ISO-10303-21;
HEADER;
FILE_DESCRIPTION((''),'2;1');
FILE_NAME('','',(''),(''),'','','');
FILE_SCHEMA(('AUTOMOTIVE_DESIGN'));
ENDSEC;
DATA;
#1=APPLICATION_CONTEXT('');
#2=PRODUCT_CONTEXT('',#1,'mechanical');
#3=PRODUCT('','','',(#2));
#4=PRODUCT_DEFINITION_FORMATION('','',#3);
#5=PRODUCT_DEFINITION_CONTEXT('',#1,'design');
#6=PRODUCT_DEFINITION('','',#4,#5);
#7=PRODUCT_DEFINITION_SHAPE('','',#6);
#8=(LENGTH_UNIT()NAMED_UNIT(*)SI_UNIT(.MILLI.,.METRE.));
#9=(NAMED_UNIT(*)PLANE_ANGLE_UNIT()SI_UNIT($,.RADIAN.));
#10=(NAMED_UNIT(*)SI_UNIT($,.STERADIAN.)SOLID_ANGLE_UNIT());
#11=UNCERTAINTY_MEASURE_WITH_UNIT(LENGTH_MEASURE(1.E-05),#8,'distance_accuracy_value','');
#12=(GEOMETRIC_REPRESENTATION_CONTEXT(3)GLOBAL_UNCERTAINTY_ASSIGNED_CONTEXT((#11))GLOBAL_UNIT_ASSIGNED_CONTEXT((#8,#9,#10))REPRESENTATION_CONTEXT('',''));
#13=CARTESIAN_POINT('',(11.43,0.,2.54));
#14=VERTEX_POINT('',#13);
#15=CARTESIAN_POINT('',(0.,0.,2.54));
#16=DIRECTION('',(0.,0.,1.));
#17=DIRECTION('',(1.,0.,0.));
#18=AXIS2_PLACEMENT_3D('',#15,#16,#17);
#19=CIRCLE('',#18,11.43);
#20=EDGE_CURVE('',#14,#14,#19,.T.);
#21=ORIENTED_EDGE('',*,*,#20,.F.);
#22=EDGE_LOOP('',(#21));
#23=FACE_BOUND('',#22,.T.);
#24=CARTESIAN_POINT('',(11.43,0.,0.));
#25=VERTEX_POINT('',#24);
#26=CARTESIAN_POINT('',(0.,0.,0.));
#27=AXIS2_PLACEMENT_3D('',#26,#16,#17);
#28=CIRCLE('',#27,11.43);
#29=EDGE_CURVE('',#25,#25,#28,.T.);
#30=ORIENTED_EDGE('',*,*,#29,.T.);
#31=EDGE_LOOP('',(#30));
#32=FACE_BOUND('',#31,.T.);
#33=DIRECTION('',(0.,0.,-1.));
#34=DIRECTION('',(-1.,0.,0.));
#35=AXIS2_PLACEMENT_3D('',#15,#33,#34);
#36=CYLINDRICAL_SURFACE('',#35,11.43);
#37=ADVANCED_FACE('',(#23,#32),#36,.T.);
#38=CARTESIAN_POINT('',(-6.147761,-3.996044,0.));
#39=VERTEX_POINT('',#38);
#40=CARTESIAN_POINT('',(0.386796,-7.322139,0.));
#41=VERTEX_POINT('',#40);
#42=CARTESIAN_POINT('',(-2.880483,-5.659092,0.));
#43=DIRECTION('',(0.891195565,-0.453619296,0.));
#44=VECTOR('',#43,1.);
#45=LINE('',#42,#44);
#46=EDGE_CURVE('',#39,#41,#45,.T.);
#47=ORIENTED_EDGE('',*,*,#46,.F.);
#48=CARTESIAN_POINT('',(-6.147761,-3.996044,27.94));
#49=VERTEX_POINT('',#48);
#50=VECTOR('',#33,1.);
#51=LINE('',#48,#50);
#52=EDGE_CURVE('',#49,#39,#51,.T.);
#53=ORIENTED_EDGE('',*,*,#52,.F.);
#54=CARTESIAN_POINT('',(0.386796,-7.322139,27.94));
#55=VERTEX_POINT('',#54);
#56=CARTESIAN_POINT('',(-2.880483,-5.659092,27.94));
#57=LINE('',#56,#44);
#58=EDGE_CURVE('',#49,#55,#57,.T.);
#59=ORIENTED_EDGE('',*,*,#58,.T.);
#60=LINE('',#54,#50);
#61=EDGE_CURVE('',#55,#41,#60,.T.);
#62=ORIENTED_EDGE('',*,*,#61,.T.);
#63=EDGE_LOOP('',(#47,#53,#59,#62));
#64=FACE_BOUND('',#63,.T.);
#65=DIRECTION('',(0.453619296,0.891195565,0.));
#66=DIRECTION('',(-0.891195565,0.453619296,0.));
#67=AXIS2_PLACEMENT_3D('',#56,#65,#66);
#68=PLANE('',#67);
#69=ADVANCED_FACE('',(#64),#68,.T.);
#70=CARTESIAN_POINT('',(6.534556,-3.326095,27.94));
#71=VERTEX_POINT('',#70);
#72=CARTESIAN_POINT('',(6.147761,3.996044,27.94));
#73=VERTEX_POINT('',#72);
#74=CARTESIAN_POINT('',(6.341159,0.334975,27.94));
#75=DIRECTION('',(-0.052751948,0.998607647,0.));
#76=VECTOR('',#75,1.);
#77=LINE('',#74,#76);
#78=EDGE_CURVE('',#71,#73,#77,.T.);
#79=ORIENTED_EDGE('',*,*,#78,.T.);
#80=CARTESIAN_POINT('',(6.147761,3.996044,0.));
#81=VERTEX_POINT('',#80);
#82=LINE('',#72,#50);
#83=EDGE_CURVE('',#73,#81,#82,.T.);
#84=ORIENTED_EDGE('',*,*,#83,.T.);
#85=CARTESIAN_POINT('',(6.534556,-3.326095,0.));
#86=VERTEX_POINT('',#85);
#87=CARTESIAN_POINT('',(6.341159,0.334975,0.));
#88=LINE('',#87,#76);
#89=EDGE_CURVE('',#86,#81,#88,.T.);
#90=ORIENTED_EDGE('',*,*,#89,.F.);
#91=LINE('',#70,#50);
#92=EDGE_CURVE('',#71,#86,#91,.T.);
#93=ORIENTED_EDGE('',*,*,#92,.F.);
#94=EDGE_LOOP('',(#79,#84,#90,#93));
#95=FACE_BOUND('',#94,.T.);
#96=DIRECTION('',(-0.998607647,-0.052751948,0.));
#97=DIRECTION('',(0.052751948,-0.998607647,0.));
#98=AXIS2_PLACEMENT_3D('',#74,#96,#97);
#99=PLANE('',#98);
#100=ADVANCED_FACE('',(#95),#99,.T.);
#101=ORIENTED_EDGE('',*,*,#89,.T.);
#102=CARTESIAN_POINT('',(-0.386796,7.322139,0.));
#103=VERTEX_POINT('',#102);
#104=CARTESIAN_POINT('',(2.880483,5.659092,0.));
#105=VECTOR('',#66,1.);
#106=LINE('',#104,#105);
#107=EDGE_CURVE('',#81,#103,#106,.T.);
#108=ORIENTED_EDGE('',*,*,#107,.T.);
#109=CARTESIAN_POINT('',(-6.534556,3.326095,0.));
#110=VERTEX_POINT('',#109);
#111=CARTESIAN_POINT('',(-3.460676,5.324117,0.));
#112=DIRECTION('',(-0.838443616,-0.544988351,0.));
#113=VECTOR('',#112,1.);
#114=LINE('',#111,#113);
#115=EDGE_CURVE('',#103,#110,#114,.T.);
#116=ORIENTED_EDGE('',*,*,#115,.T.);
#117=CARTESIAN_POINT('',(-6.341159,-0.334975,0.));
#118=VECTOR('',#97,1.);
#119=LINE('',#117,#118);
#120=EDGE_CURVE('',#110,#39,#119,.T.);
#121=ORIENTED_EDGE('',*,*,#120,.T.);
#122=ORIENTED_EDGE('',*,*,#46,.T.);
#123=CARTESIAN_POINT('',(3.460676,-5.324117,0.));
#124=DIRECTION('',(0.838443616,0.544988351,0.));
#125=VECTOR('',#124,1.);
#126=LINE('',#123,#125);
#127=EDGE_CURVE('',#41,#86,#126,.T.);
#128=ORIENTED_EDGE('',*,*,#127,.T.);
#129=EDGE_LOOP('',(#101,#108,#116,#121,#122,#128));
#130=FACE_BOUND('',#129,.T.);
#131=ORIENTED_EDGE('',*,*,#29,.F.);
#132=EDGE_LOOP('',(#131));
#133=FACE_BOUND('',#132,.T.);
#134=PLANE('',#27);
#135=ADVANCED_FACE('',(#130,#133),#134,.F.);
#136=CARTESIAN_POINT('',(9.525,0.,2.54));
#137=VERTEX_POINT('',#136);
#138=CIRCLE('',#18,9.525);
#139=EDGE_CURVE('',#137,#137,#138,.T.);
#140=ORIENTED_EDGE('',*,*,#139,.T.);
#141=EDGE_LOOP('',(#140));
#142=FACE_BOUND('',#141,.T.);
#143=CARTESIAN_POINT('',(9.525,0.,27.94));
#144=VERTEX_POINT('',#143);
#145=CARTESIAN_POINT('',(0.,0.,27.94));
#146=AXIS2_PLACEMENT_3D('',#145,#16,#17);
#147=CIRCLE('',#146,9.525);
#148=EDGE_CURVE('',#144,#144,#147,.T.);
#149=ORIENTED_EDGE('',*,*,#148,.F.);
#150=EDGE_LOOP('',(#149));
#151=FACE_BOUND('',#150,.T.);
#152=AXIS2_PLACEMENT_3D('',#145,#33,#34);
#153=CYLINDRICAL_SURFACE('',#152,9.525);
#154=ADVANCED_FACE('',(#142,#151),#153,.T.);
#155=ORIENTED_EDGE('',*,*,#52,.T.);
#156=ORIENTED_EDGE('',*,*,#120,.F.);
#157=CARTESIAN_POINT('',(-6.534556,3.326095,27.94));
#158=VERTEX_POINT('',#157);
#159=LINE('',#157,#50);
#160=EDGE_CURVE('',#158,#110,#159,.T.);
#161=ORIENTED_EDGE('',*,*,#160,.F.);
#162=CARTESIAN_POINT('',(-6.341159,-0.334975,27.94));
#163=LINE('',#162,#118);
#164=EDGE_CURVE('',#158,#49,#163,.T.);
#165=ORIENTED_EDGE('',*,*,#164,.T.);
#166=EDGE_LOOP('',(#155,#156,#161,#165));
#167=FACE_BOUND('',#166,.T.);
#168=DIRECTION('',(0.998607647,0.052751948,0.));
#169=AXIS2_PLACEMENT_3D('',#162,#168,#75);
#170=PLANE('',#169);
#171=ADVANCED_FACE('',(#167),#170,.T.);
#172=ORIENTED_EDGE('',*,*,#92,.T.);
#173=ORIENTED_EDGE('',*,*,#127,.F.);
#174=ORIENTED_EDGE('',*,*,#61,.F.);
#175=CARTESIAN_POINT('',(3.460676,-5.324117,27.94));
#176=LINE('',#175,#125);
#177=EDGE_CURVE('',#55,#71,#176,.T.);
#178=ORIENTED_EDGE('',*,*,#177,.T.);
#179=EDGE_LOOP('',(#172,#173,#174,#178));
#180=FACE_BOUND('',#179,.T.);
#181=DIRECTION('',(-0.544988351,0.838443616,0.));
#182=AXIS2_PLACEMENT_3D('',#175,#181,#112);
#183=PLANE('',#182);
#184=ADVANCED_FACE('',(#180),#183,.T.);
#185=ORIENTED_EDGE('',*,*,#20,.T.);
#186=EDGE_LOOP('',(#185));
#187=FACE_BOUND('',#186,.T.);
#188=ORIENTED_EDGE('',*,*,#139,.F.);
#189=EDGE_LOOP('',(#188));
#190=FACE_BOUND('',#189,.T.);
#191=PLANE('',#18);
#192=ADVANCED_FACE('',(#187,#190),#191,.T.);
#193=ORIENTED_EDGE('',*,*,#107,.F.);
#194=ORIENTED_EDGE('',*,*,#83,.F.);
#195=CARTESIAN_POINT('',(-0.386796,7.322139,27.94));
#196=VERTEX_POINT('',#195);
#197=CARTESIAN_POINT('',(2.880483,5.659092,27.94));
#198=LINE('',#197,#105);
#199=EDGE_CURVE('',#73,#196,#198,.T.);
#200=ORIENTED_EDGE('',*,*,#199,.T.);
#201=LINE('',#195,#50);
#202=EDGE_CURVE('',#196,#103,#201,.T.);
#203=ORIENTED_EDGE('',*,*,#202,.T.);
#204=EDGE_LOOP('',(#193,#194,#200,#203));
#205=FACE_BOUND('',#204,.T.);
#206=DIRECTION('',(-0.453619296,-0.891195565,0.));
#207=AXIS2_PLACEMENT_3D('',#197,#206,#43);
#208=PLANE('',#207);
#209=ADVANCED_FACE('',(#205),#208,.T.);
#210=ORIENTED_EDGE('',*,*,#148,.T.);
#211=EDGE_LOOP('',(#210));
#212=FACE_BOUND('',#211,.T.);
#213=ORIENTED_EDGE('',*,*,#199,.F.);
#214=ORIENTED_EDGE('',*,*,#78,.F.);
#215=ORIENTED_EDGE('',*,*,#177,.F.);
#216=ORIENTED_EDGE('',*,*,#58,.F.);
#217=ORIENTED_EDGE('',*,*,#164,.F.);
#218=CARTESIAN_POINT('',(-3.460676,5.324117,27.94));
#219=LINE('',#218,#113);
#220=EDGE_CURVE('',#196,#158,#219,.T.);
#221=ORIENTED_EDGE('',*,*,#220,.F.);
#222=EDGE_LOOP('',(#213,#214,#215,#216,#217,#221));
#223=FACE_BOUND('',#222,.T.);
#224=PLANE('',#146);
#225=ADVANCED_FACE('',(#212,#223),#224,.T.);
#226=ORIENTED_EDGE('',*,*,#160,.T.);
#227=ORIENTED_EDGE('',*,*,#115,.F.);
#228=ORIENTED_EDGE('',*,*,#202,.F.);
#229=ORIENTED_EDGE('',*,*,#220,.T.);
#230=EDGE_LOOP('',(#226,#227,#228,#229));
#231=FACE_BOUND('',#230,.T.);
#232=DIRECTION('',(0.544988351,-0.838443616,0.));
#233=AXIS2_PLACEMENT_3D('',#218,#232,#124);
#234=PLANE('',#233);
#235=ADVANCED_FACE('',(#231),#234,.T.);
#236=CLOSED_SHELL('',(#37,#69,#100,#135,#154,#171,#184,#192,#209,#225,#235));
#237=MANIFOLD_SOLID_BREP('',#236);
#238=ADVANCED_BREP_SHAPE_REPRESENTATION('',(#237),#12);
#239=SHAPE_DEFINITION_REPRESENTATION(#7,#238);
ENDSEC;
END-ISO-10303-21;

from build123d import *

# Parameters (mm, degrees)
SKETCH1_R           = 9.525
BOSS_EXTRUDE1_DEPTH = 27.94
SKETCH1_5_R         = 11.43
SKETCH1_5_R_2       = 9.525
BOSS_EXTRUDE2_DEPTH = 2.54


with BuildPart() as part:
    # Sketch1 → Boss-Extrude1 (new body)
    with BuildSketch(Plane.XY):
        Circle(SKETCH1_R)
        Polygon((-0.386795664, 7.322139199), (6.147760724, 3.996044471), (6.534556388, -3.326094728), (0.386795664, -7.322139199), (-6.147760724, -3.996044471), (-6.534556388, 3.326094728), align=None, mode=Mode.SUBTRACT)
    extrude(amount=BOSS_EXTRUDE1_DEPTH)

    # Sketch1<5> → Boss-Extrude2 (add)
    with BuildSketch(Plane.XY):
        Circle(SKETCH1_5_R)
        Circle(SKETCH1_5_R_2, mode=Mode.SUBTRACT)
    extrude(amount=BOSS_EXTRUDE2_DEPTH)


solid = part.part
